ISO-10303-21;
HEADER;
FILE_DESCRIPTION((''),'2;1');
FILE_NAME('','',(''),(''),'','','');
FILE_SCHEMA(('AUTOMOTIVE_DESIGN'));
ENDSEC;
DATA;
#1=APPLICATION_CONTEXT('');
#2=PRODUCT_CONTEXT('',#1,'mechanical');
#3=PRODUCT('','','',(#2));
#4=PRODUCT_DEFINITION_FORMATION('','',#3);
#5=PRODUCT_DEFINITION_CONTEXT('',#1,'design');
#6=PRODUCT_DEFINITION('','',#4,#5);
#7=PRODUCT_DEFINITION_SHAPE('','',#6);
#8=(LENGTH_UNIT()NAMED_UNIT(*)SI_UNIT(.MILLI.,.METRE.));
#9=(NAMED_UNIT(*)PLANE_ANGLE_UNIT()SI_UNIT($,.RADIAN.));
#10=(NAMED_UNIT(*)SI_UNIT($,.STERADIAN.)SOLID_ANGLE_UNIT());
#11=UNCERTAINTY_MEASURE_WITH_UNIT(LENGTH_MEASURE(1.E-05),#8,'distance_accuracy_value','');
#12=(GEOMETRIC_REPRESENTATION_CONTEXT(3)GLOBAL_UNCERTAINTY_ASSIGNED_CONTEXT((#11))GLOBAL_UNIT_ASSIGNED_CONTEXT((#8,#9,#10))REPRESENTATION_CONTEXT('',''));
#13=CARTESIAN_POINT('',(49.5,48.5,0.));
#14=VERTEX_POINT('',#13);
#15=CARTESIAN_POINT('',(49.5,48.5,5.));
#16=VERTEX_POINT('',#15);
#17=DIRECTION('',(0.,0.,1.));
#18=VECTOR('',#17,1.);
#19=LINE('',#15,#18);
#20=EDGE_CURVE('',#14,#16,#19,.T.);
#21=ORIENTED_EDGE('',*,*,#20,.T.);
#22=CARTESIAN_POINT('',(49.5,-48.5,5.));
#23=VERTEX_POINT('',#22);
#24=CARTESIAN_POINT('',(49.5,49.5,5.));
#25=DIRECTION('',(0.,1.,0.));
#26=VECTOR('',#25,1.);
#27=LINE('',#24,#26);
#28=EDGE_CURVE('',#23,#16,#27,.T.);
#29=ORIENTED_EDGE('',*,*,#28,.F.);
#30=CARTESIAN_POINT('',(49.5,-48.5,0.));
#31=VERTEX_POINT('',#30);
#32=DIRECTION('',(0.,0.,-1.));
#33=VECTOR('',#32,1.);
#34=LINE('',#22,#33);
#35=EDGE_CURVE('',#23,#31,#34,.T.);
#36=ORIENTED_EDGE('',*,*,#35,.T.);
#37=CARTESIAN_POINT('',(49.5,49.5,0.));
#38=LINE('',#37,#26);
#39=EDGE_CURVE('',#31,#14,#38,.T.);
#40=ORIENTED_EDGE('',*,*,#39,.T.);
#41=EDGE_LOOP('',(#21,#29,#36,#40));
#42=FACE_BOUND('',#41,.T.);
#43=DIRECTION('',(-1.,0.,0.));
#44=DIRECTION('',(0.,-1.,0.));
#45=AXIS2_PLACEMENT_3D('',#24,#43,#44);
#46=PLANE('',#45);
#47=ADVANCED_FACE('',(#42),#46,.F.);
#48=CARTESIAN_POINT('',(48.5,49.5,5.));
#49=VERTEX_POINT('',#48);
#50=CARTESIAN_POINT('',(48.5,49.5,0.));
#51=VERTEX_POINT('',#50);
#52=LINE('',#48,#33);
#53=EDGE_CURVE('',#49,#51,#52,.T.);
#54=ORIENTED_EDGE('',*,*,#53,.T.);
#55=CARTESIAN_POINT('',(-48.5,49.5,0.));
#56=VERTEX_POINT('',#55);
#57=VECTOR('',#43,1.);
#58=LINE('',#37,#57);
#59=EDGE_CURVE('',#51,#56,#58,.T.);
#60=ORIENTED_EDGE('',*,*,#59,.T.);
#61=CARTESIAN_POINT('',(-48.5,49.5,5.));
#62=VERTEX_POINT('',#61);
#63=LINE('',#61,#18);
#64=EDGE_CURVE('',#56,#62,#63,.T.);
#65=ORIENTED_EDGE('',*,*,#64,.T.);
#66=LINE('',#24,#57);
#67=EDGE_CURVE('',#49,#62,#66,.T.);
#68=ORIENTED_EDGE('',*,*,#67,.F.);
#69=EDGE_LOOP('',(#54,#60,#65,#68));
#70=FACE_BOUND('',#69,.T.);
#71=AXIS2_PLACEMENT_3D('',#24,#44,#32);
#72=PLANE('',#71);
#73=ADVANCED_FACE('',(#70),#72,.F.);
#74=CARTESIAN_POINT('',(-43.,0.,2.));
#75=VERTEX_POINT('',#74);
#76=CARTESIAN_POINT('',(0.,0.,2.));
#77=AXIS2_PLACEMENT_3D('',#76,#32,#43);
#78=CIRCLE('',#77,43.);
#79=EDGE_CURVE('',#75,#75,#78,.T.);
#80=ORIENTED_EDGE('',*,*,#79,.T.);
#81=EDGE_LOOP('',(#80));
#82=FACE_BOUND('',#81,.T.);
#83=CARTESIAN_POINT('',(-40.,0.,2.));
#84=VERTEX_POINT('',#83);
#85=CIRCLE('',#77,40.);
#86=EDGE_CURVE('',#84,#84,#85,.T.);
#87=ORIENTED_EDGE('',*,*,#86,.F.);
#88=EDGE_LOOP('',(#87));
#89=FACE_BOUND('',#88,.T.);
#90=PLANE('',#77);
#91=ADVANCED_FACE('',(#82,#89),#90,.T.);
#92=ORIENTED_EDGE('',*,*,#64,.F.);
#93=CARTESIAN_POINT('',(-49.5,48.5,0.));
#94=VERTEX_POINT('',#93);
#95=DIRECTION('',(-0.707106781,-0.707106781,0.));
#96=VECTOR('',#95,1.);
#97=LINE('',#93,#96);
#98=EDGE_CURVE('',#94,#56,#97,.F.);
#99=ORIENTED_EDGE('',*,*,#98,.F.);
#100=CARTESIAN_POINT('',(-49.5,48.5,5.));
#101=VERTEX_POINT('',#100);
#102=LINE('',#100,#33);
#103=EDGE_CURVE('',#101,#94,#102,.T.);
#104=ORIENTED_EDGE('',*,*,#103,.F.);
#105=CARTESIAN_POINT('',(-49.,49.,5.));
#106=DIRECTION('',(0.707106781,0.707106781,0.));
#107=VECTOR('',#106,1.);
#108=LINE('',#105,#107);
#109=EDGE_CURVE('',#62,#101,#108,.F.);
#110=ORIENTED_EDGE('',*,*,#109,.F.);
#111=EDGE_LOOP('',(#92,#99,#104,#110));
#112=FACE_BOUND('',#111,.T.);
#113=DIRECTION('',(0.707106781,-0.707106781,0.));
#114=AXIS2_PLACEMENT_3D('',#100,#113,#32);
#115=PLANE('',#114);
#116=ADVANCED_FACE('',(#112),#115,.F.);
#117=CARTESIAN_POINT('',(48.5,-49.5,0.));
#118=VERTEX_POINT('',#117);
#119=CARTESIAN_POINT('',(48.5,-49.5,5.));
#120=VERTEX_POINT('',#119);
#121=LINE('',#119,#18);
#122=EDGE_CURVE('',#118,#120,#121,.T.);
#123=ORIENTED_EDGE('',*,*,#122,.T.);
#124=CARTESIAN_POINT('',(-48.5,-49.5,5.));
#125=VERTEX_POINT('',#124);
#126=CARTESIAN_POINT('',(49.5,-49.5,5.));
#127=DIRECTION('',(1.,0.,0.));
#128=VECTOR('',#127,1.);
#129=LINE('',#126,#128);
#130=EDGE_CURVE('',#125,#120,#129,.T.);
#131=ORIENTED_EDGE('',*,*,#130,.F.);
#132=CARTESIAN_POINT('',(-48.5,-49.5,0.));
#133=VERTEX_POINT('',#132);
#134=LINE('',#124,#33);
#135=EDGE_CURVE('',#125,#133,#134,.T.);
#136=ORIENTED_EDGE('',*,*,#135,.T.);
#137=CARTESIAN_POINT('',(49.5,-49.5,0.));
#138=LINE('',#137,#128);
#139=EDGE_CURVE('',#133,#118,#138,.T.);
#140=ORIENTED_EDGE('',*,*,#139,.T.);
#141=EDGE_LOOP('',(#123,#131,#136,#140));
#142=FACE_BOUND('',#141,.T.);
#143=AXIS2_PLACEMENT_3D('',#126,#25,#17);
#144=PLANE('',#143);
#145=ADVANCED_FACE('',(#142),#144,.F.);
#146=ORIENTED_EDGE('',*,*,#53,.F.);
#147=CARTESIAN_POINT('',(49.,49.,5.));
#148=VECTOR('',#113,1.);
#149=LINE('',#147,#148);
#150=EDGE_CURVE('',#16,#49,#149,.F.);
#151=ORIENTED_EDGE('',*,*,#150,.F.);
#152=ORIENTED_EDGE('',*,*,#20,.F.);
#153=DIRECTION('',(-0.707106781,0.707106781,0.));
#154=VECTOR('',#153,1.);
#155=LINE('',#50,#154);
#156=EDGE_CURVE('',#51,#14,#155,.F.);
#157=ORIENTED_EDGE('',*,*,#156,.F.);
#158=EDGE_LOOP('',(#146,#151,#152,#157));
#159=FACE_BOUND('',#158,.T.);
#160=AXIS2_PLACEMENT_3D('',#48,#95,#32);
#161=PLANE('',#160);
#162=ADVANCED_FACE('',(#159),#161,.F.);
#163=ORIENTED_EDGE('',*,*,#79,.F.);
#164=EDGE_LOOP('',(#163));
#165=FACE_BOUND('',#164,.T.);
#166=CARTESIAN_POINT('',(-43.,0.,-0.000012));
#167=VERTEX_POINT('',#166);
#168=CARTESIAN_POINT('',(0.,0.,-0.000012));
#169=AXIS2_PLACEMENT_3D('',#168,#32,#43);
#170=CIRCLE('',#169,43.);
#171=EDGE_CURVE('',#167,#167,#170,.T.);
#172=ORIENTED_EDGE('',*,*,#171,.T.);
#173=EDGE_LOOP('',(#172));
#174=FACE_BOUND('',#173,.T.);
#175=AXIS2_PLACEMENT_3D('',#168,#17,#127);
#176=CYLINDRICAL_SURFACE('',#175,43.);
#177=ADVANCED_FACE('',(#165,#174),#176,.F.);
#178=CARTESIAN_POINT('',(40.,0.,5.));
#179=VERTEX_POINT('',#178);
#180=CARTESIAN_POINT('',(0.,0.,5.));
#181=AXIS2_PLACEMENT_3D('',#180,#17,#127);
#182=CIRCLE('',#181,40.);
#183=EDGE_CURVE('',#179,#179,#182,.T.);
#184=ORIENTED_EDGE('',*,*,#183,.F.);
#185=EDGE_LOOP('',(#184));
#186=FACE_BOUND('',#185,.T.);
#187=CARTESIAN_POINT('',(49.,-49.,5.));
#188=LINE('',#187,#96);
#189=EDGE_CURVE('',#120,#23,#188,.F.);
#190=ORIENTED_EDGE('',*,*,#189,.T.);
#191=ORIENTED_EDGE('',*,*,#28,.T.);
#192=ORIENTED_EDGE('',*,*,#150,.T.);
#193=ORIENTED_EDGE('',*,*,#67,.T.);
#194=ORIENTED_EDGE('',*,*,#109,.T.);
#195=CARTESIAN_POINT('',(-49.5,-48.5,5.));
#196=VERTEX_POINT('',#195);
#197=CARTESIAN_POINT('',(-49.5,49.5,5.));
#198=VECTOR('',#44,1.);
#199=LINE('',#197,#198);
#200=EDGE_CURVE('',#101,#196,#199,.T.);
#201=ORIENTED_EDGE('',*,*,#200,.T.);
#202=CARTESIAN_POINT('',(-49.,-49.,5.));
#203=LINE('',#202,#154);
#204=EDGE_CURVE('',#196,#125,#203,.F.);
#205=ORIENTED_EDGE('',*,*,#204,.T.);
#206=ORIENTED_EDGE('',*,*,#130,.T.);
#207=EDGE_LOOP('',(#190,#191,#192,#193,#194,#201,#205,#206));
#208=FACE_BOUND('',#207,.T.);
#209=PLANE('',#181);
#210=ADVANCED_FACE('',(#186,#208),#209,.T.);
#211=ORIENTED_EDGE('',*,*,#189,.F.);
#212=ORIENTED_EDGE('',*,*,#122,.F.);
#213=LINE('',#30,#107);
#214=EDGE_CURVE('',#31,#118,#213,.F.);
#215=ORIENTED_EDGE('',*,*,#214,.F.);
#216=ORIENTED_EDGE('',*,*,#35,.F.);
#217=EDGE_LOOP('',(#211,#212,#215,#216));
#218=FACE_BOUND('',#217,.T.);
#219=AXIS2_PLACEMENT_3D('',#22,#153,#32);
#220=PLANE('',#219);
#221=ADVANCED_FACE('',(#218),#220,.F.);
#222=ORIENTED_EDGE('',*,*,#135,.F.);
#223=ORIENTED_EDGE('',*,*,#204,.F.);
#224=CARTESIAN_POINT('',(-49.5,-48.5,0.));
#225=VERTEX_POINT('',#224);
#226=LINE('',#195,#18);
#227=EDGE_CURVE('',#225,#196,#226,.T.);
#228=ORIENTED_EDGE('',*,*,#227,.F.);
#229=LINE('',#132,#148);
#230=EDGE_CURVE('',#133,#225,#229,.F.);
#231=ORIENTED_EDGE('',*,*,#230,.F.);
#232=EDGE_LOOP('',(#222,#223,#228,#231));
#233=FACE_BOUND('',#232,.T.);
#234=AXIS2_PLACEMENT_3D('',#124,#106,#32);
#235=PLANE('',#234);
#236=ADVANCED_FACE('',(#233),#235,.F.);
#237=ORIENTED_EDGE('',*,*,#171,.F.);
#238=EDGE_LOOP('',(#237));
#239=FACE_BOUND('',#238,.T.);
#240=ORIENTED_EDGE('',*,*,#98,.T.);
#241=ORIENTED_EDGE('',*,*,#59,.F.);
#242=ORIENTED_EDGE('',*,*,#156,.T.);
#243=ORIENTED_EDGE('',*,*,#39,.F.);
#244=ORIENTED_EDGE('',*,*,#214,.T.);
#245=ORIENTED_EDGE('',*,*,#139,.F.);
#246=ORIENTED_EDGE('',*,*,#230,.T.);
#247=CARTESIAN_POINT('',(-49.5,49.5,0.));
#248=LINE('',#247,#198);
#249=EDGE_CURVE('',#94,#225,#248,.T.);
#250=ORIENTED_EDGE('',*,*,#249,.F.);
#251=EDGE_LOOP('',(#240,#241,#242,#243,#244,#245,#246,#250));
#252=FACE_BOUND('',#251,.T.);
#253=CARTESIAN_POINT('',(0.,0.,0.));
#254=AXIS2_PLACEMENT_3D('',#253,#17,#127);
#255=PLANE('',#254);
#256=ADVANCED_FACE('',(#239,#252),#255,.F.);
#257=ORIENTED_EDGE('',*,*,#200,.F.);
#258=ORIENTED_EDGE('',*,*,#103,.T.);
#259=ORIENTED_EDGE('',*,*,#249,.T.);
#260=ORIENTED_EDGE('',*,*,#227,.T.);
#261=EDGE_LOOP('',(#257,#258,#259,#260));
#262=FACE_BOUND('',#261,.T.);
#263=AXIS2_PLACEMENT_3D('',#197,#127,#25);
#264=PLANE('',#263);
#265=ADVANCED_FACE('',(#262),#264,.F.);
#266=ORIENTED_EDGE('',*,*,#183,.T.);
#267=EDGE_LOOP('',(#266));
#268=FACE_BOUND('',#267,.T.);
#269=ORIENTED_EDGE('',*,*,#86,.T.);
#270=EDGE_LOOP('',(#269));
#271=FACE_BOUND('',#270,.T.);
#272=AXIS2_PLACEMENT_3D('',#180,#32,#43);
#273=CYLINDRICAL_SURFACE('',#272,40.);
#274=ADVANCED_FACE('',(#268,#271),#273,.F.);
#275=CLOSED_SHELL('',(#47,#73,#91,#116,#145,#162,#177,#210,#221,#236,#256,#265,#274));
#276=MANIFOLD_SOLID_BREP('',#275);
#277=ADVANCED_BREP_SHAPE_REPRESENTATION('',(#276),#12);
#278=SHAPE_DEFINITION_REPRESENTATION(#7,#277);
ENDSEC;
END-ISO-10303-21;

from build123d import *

# Parameters (mm, degrees)
SKETCH1_W               = 99
SKETCH1_H               = 99
SKETCH1_R               = 40
BOSS_EXTRUDE1_DEPTH     = 5
CUT_EXTRUDE1_DEPTH      = 71.1819065
CUT_EXTRUDE1_DEPTH_BACK = 2
SKETCH2_R               = 43
CHAMFER1_SIZE           = 1


with BuildPart() as part:
    # Sketch1 → Boss-Extrude1 (new body)
    with BuildSketch(Plane(origin=(0, 0, 0), x_dir=(0, 1, 0), z_dir=(0, 0, 1))):
        Rectangle(SKETCH1_W, SKETCH1_H)
        with Locations(Location((0, 0, 0), (0, 0, 270))):
            Circle(SKETCH1_R, mode=Mode.SUBTRACT)
    extrude(amount=BOSS_EXTRUDE1_DEPTH)

    # Sketch2 → Cut-Extrude1 (cut, two sides: drawn at the far end of the back side and taken through both)
    with BuildSketch(Plane(origin=(0, 0, 0), x_dir=(1, 0, 0), z_dir=(0, 0, -1)).offset(-CUT_EXTRUDE1_DEPTH_BACK)):
        with Locations(Location((0, 0, 0), (0, 0, 180))):
            Circle(SKETCH2_R)
    extrude(amount=CUT_EXTRUDE1_DEPTH + CUT_EXTRUDE1_DEPTH_BACK, mode=Mode.SUBTRACT)

    # Chamfer1
    chamfer1_edges = [part.edges().sort_by_distance(p)[0] for p in [
        (-49.5, -49.5, 2.5),
        (-49.5, 49.5, 2.5),
        (49.5, 49.5, 2.5),
        (49.5, -49.5, 2.5),
    ]]
    chamfer(chamfer1_edges, length=CHAMFER1_SIZE)


solid = part.part
